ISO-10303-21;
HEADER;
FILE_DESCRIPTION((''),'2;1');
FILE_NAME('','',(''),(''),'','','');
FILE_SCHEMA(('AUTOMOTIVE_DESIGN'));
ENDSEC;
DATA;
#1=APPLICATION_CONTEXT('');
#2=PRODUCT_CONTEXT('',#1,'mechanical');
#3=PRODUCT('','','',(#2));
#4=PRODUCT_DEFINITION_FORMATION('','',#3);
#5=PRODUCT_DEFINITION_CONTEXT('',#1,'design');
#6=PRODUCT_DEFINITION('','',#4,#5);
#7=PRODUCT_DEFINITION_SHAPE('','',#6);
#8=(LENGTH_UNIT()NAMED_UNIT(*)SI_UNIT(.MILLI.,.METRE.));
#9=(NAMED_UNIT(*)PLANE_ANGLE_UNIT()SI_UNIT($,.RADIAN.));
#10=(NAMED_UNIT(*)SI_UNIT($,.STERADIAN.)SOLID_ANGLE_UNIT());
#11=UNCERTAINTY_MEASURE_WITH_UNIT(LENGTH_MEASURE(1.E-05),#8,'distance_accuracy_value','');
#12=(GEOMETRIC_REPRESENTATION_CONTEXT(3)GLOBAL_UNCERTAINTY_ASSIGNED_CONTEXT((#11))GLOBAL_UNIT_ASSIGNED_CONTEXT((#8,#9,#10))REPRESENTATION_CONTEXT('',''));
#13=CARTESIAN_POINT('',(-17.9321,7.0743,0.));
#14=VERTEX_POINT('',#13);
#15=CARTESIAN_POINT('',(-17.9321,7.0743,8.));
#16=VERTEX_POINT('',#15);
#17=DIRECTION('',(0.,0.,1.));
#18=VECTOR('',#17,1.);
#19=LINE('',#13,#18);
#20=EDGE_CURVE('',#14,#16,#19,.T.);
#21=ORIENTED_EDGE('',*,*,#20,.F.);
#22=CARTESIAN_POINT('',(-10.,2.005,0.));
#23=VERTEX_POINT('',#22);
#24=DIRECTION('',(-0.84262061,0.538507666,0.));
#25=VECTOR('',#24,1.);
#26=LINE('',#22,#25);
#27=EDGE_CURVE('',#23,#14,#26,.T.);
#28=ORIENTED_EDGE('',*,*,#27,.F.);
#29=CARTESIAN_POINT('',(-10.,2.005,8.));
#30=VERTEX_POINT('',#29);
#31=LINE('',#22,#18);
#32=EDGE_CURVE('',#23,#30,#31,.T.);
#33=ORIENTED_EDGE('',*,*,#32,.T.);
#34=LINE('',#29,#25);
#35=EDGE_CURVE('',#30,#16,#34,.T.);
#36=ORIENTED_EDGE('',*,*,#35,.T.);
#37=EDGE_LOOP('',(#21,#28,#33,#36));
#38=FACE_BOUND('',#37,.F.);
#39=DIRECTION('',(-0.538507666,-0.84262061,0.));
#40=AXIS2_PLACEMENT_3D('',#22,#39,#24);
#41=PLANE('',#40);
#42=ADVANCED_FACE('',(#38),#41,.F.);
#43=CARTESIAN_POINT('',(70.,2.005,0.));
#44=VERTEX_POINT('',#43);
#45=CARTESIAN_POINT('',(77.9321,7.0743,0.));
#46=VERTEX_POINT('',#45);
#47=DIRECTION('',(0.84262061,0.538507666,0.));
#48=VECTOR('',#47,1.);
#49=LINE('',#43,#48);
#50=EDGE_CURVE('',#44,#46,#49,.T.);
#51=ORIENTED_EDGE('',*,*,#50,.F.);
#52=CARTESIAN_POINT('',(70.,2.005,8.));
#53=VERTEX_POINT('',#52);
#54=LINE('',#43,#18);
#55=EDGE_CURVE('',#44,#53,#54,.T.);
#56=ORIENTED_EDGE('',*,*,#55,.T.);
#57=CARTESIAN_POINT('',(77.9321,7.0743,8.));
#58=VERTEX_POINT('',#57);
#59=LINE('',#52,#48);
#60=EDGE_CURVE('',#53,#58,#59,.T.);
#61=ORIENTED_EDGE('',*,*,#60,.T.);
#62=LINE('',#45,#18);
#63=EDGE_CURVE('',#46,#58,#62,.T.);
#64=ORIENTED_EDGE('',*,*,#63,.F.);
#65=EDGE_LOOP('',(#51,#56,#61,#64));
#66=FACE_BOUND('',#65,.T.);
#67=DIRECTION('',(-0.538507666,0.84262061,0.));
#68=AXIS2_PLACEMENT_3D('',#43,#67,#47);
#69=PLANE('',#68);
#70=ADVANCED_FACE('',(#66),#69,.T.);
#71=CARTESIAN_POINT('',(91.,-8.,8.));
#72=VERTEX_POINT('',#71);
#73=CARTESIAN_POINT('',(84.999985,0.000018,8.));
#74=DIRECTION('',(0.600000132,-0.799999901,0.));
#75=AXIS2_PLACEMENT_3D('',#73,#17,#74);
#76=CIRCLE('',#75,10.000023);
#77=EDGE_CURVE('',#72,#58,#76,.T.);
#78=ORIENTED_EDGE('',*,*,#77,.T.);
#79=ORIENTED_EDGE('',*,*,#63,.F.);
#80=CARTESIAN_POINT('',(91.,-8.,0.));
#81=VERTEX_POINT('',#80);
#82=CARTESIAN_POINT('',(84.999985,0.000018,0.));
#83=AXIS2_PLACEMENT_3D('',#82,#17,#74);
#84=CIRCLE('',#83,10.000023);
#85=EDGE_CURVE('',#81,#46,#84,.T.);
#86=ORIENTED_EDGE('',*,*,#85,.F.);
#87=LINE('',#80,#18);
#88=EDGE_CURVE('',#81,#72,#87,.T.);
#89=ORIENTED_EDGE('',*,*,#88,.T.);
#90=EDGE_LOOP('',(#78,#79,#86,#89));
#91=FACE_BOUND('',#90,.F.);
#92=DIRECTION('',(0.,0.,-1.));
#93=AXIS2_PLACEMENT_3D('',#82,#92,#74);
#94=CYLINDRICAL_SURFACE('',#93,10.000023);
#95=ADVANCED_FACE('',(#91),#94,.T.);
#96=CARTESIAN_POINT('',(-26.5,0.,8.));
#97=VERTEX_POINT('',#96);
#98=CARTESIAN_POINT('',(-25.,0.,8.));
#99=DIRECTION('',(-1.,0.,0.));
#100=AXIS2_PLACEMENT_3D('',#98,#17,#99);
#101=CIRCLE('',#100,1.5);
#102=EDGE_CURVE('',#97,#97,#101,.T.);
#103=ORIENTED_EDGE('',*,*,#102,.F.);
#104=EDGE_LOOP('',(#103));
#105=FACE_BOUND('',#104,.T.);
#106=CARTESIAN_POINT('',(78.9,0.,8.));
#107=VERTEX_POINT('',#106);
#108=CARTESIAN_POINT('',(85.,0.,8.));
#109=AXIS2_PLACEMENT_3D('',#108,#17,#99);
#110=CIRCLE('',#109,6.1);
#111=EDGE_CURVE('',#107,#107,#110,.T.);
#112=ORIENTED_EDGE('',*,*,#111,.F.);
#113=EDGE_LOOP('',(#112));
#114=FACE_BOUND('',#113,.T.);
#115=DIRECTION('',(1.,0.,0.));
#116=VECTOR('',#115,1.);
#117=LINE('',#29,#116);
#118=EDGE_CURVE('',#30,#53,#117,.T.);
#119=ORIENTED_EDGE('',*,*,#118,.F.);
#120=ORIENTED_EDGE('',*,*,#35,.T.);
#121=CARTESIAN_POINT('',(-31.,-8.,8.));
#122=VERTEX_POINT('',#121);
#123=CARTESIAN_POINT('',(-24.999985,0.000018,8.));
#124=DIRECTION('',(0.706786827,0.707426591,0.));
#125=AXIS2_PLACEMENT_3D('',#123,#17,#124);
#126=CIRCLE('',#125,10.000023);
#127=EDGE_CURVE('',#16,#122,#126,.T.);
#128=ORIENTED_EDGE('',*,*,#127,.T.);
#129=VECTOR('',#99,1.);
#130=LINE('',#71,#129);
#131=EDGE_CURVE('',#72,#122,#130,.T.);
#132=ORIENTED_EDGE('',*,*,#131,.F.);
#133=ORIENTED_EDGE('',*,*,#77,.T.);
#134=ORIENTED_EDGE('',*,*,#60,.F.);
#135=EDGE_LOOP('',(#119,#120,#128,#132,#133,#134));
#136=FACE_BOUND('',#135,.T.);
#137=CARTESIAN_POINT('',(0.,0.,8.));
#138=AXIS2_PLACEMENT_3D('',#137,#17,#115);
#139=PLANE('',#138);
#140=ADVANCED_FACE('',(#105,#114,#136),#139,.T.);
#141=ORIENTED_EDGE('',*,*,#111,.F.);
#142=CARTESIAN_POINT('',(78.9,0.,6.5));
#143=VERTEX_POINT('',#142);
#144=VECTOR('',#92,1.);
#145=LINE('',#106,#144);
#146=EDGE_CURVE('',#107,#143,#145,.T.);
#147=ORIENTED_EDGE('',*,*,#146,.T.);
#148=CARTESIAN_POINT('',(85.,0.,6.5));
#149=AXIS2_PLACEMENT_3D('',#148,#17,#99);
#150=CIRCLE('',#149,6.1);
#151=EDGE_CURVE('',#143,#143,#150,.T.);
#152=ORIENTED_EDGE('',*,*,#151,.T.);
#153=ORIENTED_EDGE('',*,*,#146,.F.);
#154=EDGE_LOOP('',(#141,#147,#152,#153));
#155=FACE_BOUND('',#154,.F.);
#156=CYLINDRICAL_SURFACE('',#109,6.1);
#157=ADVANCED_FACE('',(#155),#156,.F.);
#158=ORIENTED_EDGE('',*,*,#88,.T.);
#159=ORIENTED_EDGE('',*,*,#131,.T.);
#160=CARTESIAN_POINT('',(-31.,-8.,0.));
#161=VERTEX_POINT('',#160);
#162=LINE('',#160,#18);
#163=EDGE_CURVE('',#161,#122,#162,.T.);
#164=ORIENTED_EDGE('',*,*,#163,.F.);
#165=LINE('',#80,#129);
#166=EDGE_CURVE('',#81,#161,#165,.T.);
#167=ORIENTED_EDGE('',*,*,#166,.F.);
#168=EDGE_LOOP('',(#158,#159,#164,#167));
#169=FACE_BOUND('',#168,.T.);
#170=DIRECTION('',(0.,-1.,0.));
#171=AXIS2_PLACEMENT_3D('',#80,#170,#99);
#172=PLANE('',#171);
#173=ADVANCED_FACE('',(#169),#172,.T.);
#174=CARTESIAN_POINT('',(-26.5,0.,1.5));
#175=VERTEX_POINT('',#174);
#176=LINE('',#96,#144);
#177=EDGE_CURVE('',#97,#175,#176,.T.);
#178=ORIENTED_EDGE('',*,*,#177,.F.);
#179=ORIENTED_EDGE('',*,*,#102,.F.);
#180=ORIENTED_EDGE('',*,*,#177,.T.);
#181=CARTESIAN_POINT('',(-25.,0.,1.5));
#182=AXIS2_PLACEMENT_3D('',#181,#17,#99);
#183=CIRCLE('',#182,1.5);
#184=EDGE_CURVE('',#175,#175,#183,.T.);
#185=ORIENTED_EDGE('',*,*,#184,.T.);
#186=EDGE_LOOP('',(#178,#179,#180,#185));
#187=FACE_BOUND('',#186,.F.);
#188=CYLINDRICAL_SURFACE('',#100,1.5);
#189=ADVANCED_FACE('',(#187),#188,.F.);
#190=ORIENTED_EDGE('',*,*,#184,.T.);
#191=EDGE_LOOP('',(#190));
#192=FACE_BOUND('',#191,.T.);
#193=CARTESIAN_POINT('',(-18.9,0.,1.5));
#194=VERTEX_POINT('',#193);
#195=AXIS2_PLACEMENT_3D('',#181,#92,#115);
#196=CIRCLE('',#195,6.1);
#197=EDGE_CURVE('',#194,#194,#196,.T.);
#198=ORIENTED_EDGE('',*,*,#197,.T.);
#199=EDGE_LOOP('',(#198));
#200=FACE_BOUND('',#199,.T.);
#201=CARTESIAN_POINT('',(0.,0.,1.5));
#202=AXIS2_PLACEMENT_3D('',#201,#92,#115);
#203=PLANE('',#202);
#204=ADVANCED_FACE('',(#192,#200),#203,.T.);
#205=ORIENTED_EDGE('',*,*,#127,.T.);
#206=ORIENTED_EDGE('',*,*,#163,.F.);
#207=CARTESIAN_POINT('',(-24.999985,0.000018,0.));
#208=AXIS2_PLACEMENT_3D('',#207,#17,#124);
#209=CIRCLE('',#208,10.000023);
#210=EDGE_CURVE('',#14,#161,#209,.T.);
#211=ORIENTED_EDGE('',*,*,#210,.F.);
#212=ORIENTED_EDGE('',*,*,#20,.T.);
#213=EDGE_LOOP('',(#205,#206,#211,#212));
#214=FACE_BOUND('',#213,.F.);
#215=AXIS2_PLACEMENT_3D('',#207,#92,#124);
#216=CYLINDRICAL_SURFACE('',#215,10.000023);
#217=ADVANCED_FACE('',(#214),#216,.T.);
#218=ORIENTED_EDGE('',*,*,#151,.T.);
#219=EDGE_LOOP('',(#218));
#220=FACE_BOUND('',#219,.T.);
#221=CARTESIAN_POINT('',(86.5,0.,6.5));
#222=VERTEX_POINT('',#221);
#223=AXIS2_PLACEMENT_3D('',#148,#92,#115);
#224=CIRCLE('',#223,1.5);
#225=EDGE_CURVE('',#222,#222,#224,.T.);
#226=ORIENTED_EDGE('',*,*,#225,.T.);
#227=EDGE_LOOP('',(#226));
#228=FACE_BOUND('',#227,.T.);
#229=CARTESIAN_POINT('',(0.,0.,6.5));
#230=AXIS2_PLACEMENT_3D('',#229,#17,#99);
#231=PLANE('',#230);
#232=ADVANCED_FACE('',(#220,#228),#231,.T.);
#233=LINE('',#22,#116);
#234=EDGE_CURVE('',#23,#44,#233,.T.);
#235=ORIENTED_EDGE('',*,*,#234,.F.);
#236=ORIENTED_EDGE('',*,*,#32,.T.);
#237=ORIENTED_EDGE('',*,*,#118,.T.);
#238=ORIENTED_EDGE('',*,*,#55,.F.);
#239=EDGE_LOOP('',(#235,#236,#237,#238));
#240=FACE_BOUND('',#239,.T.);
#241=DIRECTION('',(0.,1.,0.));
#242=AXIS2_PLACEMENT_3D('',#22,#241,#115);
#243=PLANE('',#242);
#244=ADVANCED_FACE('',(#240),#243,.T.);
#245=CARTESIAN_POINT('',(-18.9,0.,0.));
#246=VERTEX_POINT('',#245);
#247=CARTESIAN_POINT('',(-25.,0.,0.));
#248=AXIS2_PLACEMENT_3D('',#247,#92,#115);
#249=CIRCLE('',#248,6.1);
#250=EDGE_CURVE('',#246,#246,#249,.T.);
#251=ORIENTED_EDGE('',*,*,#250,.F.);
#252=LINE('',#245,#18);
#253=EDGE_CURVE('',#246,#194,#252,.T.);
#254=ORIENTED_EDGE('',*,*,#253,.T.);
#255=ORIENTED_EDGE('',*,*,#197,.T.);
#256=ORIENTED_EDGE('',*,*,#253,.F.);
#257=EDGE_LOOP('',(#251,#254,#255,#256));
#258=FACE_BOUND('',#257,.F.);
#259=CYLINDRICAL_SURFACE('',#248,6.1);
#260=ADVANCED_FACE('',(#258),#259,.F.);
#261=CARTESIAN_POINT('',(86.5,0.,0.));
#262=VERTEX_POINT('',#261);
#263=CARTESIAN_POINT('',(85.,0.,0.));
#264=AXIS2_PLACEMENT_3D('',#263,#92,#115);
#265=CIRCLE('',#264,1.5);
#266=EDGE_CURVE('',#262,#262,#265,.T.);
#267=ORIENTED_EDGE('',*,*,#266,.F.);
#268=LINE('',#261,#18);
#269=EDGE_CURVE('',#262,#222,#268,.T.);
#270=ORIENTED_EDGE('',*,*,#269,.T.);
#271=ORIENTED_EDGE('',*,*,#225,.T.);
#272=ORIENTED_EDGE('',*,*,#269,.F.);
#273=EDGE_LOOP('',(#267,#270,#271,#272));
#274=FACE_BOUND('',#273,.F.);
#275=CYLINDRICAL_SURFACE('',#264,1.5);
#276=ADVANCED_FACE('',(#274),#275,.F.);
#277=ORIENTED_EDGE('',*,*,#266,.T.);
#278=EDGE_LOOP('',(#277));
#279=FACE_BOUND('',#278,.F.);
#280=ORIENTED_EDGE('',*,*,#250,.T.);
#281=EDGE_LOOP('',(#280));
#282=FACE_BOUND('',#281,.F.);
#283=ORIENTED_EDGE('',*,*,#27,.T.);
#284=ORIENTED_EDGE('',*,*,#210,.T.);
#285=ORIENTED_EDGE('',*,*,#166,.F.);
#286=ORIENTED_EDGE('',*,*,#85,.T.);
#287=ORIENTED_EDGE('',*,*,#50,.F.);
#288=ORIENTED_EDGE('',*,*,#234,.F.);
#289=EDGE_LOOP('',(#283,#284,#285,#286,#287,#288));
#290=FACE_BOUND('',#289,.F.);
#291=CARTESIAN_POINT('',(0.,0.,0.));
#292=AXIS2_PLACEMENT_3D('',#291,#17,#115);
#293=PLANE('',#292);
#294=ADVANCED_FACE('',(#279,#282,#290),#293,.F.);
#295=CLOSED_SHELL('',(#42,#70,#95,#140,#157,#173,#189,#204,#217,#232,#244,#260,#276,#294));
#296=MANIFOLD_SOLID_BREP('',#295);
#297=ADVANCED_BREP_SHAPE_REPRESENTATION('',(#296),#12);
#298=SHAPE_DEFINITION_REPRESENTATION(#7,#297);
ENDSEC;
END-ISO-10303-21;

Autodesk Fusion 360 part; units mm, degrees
sketch "Sketch2" plane through (0, 0, 0) normal (0, 0, 1) x (1, 0, 0)
  line L0 (91, -8) -> (-31, -8)
  line L1 (-10, 2.005) -> (70, 2.005)
  line L2 (70, 2.005) -> (77.9321, 7.0743)
  line L3 (-10, 2.005) -> (-17.9321, 7.0743)
  arc A0 (-17.9321, 7.0743) -> (-31, -8) centre (-25, 0) ccw
  arc A1 (91, -8) -> (77.9321, 7.0743) centre (85, 0) ccw
  dimension "d20" = 20
  dimension "d21" = 20
  dimension "d22" = 110
  dimension "d24" = 10.005
extrude "Extrude1" add sketch "Sketch2" along normal blind 8
sketch "Sketch3" plane through (0, 0, 8) normal (0, 0, 1) x (-1, 0, 0)
  line L0 (10, -2.005) -> (17.9321, -7.0743)
  arc A0 (17.9321, -7.0743) -> (31, 8) centre (25, 0) ccw
  line L1 (31, 8) -> (-91, 8)
  arc A1 (-91, 8) -> (-77.9321, -7.0743) centre (-85, 0) ccw
  line L2 (-77.9321, -7.0743) -> (-70, -2.005)
  line L3 (-70, -2.005) -> (10, -2.005)
  circle A2 centre (-85, 0) radius 6.1
  dimension "d28" = 12.2
sketch "Sketch4" plane through (0, 0, 0) normal (0, 0, -1) x (1, 0, 0)
  line L0 (-17.9321, -7.0743) -> (-10, -2.005)
  line L1 (-10, -2.005) -> (70, -2.005)
  line L2 (70, -2.005) -> (77.9321, -7.0743)
  arc A0 (77.9321, -7.0743) -> (91, 8) centre (85, 0) ccw
  line L3 (91, 8) -> (-31, 8)
  arc A1 (-31, 8) -> (-17.9321, -7.0743) centre (-25, 0) ccw
  circle A2 centre (-25, 0) radius 6.1
  dimension "d32" = 12.2
extrude "Extrude4" cut sketch "Sketch4" against normal blind 1.5 contours A2
extrude "Extrude5" cut sketch "Sketch3" against normal blind 1.5 contours A2
sketch "Sketch5" plane through (0, 0, 0) normal (0, 0, -1) x (1, 0, 0)
  circle A0 centre (-25, 0) radius 6.1
  line L0 (-17.9321, -7.0743) -> (-10, -2.005)
  line L1 (-10, -2.005) -> (70, -2.005)
  line L2 (70, -2.005) -> (77.9321, -7.0743)
  arc A1 (77.9321, -7.0743) -> (91, 8) centre (85, 0) ccw
  line L3 (91, 8) -> (-31, 8)
  arc A2 (-31, 8) -> (-17.9321, -7.0743) centre (-25, 0) ccw
  circle A3 centre (85, 0) radius 1.5
  dimension "d39" = 3
extrude "Extrude7" cut sketch "Sketch5" against normal blind 13 contours A3
sketch "Sketch6" plane through (0, 0, 8) normal (0, 0, 1) x (-1, 0, 0)
  circle A0 centre (-85, 0) radius 6.1
  line L0 (10, -2.005) -> (17.9321, -7.0743)
  arc A1 (17.9321, -7.0743) -> (31, 8) centre (25, 0) ccw
  line L1 (31, 8) -> (-91, 8)
  arc A2 (-91, 8) -> (-77.9321, -7.0743) centre (-85, 0) ccw
  line L2 (-77.9321, -7.0743) -> (-70, -2.005)
  line L3 (-70, -2.005) -> (10, -2.005)
  circle A3 centre (25, 0) radius 1.5
  dimension "d44" = 3
extrude "Extrude8" cut sketch "Sketch6" against normal blind 11 contours A3
component "arm1" placed x (1, 0, 0) y (0, 1, 0) z (0, 0, 1) at (0, 0, 0)
